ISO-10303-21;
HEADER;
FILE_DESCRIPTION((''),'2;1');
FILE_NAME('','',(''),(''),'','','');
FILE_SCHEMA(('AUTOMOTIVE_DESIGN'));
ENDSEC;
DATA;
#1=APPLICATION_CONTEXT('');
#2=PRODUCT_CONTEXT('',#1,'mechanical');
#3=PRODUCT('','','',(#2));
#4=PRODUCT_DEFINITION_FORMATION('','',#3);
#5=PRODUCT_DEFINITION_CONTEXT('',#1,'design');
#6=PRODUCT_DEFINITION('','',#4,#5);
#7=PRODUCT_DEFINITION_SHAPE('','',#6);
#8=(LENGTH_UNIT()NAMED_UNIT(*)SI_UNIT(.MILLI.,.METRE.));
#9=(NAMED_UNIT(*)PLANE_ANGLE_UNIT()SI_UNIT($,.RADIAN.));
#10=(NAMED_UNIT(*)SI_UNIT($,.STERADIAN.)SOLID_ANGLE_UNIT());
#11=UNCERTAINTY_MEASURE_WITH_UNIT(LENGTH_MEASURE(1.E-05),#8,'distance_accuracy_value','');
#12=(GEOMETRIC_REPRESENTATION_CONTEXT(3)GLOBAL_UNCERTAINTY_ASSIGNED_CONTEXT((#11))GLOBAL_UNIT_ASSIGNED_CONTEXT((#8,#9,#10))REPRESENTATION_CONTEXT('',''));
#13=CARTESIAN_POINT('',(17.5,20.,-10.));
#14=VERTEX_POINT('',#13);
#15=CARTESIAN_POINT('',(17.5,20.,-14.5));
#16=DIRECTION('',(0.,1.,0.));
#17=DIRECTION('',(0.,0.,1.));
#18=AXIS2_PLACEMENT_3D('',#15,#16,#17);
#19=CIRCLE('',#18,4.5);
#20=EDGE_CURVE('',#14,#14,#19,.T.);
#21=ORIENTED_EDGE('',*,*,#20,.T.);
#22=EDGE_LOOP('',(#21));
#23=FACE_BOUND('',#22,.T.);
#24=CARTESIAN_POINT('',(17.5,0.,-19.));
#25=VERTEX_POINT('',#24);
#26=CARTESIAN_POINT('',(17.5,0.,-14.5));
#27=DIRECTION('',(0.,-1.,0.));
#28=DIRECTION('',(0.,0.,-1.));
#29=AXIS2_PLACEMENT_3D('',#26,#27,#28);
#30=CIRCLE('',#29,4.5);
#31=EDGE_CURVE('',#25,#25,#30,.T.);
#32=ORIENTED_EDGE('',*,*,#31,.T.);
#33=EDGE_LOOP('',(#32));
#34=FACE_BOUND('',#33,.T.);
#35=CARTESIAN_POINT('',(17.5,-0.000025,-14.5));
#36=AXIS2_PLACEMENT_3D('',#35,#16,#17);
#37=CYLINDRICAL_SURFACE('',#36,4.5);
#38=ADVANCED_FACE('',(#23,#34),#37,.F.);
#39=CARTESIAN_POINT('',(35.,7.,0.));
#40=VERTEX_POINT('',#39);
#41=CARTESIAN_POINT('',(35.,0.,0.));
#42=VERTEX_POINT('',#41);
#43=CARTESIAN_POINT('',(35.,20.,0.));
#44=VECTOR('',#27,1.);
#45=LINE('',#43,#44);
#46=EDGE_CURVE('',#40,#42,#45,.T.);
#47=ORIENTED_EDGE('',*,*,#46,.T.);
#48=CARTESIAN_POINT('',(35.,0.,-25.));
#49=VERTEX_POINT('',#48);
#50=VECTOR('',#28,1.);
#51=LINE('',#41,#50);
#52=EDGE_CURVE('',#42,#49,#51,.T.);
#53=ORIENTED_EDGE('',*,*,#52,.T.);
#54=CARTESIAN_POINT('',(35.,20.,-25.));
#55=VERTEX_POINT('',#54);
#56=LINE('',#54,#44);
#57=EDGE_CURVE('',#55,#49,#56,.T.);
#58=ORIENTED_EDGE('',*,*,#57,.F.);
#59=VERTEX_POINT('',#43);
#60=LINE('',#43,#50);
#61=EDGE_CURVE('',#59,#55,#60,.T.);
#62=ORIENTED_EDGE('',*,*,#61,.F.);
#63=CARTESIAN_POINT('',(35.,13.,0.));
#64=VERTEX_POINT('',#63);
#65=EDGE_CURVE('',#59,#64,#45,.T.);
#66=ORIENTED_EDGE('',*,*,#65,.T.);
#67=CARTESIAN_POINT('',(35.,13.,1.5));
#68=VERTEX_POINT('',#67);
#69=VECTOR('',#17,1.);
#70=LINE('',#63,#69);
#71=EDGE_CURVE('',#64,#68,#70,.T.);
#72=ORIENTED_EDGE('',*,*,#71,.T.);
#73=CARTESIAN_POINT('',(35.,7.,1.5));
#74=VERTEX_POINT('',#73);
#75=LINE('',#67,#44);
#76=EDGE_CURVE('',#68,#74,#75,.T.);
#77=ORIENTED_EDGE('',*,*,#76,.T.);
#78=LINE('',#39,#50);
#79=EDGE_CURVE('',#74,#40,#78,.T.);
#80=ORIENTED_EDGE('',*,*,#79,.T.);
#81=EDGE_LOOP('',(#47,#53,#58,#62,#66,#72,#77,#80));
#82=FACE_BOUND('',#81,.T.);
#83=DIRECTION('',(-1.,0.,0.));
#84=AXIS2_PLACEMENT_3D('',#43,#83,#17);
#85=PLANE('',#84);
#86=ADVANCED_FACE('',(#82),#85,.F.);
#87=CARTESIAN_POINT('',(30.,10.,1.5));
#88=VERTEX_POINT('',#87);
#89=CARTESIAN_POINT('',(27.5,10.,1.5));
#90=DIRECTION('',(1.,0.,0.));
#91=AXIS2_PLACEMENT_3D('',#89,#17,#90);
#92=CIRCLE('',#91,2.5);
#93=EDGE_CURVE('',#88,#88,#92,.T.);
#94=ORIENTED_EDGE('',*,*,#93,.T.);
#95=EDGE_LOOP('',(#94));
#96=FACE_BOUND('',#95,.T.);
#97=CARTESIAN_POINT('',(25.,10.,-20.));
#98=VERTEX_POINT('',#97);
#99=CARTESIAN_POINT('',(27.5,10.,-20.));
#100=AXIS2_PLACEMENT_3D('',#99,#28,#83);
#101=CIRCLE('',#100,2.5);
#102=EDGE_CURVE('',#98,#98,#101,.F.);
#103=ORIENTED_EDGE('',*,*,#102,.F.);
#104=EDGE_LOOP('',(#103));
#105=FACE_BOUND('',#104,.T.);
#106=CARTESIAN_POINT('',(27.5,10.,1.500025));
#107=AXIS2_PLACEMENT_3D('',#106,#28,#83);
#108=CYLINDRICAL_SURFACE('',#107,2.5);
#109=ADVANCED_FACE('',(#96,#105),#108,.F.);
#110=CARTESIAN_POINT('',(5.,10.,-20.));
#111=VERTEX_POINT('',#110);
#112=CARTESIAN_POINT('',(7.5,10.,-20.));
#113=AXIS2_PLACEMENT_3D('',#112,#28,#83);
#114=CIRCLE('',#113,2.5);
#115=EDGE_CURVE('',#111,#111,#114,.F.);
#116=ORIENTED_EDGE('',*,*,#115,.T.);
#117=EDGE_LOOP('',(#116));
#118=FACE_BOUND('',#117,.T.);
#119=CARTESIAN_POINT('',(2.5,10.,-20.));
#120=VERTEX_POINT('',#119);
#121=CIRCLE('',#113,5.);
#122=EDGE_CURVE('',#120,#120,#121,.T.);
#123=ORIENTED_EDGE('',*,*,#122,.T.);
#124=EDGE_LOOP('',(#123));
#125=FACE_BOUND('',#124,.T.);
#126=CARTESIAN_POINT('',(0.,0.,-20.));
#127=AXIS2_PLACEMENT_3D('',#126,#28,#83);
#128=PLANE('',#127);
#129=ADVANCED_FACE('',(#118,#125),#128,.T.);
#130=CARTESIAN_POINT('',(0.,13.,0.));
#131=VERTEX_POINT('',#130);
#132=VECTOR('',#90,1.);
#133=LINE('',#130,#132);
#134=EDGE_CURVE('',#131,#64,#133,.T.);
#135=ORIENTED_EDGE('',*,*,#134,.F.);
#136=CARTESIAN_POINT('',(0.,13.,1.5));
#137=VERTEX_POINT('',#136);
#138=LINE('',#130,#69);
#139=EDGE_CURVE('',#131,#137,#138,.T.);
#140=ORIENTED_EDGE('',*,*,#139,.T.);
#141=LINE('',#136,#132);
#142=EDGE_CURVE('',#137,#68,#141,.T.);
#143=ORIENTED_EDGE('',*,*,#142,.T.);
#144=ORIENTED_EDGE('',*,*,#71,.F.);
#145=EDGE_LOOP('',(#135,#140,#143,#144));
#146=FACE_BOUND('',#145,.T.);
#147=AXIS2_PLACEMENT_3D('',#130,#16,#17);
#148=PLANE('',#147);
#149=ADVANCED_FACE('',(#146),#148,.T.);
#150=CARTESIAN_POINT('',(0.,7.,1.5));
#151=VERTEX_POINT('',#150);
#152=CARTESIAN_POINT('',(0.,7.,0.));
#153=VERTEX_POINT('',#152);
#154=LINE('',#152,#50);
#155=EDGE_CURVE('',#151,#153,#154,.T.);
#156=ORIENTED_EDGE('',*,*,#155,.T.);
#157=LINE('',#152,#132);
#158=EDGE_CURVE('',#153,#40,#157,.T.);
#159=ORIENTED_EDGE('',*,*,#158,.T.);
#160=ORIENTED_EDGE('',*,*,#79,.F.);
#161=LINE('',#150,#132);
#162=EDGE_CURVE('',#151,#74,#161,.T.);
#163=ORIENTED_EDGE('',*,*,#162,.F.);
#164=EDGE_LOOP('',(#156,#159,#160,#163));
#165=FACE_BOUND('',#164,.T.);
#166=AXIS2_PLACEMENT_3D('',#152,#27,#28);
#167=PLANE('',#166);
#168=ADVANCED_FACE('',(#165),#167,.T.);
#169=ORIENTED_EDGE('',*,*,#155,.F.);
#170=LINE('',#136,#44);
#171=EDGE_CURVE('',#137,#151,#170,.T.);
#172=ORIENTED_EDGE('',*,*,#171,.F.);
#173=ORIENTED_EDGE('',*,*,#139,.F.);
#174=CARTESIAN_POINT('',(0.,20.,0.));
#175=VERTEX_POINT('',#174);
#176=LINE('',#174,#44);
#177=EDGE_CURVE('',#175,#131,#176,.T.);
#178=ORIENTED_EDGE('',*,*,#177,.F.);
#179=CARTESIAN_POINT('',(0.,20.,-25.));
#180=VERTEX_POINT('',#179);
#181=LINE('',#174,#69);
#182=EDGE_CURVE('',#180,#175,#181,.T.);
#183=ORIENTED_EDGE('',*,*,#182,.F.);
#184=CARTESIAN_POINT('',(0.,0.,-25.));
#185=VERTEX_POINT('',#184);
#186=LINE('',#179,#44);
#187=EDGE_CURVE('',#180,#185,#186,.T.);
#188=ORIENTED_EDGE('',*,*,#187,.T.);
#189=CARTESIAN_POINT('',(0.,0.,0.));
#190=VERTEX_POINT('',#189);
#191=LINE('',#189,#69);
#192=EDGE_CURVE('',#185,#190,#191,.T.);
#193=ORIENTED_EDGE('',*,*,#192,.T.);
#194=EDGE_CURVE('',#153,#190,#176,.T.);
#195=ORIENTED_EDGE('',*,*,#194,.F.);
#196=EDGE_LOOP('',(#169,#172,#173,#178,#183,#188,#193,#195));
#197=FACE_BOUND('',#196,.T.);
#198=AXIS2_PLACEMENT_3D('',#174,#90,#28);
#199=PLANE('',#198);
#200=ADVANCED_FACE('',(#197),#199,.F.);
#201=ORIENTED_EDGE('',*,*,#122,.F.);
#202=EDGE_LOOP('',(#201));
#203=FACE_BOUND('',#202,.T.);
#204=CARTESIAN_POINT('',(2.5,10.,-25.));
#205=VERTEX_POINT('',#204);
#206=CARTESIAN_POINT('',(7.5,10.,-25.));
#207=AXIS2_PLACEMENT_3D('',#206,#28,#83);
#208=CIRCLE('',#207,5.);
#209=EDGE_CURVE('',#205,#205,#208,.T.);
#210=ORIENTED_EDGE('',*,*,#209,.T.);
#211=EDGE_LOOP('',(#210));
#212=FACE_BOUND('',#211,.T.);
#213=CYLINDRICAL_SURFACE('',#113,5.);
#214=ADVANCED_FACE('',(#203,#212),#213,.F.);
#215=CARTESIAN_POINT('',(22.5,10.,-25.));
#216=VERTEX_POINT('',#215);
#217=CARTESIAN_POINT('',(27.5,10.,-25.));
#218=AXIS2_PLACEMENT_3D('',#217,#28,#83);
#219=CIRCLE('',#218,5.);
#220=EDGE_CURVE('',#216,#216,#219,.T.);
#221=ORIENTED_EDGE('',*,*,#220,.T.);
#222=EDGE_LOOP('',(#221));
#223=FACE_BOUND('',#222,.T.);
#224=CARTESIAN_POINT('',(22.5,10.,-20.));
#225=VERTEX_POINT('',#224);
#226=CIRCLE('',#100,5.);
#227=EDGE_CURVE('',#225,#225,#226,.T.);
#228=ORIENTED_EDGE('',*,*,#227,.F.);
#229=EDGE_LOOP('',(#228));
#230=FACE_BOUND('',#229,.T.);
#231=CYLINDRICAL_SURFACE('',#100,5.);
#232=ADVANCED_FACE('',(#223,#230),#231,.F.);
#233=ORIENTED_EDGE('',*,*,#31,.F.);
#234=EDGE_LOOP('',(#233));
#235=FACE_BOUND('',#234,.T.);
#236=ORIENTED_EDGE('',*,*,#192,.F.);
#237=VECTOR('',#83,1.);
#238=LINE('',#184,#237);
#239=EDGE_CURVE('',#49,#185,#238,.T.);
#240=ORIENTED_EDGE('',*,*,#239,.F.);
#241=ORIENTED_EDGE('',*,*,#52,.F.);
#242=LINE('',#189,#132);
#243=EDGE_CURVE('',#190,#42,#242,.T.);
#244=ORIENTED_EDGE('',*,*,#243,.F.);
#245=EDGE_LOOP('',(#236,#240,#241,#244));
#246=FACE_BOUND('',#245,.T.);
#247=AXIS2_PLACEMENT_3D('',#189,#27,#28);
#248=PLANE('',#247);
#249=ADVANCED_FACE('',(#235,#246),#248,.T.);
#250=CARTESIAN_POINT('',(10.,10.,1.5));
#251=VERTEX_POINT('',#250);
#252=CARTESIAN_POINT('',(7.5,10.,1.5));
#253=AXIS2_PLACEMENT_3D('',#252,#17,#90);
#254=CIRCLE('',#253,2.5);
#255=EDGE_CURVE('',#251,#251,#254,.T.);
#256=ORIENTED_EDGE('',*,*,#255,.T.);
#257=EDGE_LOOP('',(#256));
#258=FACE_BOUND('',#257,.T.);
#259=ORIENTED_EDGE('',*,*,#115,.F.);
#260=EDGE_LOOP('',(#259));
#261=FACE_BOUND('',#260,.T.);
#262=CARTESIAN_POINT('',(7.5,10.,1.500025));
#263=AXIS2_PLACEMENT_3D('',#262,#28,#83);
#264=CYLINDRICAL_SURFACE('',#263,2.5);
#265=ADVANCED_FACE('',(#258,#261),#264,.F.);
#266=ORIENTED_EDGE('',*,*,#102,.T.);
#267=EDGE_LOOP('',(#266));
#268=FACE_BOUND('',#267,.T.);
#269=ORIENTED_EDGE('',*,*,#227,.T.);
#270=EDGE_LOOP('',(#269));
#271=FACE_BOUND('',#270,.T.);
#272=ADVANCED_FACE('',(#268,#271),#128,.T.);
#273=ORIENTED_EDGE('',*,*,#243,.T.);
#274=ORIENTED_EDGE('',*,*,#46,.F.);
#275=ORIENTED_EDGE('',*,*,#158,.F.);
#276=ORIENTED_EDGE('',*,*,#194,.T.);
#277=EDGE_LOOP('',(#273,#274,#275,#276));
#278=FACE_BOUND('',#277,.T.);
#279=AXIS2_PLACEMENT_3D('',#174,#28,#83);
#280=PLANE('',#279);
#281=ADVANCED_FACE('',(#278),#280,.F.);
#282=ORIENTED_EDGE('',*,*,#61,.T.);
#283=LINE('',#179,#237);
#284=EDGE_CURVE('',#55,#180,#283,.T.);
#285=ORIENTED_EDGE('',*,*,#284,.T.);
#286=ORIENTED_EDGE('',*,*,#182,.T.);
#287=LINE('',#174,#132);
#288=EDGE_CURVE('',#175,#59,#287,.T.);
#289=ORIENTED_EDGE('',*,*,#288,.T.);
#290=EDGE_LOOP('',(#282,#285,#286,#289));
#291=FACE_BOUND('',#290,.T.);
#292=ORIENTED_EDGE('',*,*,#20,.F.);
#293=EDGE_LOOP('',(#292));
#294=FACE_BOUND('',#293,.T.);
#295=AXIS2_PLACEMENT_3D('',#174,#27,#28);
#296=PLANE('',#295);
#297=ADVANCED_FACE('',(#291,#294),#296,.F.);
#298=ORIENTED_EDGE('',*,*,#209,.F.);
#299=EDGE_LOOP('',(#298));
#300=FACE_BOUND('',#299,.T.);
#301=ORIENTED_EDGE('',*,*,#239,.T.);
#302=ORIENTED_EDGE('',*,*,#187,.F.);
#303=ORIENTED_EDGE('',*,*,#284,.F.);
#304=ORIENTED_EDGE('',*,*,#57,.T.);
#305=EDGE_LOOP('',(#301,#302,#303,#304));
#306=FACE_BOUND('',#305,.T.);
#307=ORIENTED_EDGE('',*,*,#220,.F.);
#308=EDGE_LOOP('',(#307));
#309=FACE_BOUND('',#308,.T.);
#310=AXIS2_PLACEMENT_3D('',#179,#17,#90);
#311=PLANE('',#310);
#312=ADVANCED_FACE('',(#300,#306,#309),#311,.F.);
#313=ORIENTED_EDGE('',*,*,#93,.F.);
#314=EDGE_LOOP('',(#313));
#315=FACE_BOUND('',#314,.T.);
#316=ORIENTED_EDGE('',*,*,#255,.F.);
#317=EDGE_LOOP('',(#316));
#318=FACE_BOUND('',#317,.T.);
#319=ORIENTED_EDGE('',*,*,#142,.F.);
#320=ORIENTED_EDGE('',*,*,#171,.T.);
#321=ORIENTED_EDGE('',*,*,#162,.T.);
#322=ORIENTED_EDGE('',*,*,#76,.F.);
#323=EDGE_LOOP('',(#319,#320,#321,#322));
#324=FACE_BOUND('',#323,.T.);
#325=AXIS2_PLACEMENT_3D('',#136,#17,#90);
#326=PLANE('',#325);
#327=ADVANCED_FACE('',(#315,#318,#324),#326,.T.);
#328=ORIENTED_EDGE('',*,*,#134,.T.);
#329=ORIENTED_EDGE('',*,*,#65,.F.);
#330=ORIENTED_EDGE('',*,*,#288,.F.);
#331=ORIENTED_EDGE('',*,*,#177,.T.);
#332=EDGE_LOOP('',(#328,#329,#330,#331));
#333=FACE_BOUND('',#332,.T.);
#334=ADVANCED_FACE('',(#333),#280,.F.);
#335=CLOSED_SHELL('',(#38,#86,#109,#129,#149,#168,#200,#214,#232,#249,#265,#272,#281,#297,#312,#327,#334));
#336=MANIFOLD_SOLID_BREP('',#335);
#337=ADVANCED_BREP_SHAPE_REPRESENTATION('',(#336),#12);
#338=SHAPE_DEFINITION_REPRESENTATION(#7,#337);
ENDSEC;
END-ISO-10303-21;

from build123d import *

# Parameters (mm, degrees)
SKETCH1_W           = 35
SKETCH1_H           = 25
BOSS_EXTRUDE1_DEPTH = 20
SKETCH5_W           = 1.5
SKETCH5_H           = 6
BOSS_EXTRUDE2_DEPTH = 35
SKETCH2_R           = 4.5
CUT_EXTRUDE1_DEPTH  = 21
SKETCH3_R           = 2.5
CUT_EXTRUDE4_DEPTH  = 27.5
SKETCH4_R           = 5
SKETCH4_R_2         = 2.5
CUT_EXTRUDE5_DEPTH  = 5


with BuildPart() as part:
    # Sketch1 → Boss-Extrude1 (new body)
    with BuildSketch(Plane(origin=(0, 0, 0), x_dir=(1, 0, 0), z_dir=(0, 1, 0))):
        with Locations((17.5, 12.5)):
            Rectangle(SKETCH1_W, SKETCH1_H)
    extrude(amount=BOSS_EXTRUDE1_DEPTH)

    # Sketch5 → Boss-Extrude2 (add, through all)
    with BuildSketch(Plane(origin=(35, 0, 0), x_dir=(0, 0, -1), z_dir=(1, 0, 0))):
        with Locations((-0.75, 10)):
            Rectangle(SKETCH5_W, SKETCH5_H)
    extrude(amount=-BOSS_EXTRUDE2_DEPTH)

    # Sketch2 → Cut-Extrude1 (cut, through all)
    with BuildSketch(Plane(origin=(0, 20, 0), x_dir=(1, 0, 0), z_dir=(0, 1, 0))):
        with Locations((17.5, 14.5)):
            Circle(SKETCH2_R)
    extrude(amount=-CUT_EXTRUDE1_DEPTH, mode=Mode.SUBTRACT)

    # Sketch3 → Cut-Extrude4 (cut, through all)
    with BuildSketch(Plane(origin=(0, 0, -25), x_dir=(-1, 0, 0), z_dir=(0, 0, -1))):
        with Locations((-7.5, 10)):
            Circle(SKETCH3_R)
        with Locations((-27.5, 10)):
            Circle(SKETCH3_R)
    extrude(amount=-CUT_EXTRUDE4_DEPTH, mode=Mode.SUBTRACT)

    # Sketch4 → Cut-Extrude5 (cut)
    with BuildSketch(Plane(origin=(0, 0, -25), x_dir=(-1, 0, 0), z_dir=(0, 0, -1))):
        with Locations((-7.5, 10)):
            Circle(SKETCH4_R)
        with Locations((-7.5, 10)):
            Circle(SKETCH4_R_2, mode=Mode.SUBTRACT)
        with Locations((-27.5, 10)):
            Circle(SKETCH4_R)
        with Locations((-27.5, 10)):
            Circle(SKETCH4_R_2, mode=Mode.SUBTRACT)
    extrude(amount=-CUT_EXTRUDE5_DEPTH, mode=Mode.SUBTRACT)


solid = part.part
